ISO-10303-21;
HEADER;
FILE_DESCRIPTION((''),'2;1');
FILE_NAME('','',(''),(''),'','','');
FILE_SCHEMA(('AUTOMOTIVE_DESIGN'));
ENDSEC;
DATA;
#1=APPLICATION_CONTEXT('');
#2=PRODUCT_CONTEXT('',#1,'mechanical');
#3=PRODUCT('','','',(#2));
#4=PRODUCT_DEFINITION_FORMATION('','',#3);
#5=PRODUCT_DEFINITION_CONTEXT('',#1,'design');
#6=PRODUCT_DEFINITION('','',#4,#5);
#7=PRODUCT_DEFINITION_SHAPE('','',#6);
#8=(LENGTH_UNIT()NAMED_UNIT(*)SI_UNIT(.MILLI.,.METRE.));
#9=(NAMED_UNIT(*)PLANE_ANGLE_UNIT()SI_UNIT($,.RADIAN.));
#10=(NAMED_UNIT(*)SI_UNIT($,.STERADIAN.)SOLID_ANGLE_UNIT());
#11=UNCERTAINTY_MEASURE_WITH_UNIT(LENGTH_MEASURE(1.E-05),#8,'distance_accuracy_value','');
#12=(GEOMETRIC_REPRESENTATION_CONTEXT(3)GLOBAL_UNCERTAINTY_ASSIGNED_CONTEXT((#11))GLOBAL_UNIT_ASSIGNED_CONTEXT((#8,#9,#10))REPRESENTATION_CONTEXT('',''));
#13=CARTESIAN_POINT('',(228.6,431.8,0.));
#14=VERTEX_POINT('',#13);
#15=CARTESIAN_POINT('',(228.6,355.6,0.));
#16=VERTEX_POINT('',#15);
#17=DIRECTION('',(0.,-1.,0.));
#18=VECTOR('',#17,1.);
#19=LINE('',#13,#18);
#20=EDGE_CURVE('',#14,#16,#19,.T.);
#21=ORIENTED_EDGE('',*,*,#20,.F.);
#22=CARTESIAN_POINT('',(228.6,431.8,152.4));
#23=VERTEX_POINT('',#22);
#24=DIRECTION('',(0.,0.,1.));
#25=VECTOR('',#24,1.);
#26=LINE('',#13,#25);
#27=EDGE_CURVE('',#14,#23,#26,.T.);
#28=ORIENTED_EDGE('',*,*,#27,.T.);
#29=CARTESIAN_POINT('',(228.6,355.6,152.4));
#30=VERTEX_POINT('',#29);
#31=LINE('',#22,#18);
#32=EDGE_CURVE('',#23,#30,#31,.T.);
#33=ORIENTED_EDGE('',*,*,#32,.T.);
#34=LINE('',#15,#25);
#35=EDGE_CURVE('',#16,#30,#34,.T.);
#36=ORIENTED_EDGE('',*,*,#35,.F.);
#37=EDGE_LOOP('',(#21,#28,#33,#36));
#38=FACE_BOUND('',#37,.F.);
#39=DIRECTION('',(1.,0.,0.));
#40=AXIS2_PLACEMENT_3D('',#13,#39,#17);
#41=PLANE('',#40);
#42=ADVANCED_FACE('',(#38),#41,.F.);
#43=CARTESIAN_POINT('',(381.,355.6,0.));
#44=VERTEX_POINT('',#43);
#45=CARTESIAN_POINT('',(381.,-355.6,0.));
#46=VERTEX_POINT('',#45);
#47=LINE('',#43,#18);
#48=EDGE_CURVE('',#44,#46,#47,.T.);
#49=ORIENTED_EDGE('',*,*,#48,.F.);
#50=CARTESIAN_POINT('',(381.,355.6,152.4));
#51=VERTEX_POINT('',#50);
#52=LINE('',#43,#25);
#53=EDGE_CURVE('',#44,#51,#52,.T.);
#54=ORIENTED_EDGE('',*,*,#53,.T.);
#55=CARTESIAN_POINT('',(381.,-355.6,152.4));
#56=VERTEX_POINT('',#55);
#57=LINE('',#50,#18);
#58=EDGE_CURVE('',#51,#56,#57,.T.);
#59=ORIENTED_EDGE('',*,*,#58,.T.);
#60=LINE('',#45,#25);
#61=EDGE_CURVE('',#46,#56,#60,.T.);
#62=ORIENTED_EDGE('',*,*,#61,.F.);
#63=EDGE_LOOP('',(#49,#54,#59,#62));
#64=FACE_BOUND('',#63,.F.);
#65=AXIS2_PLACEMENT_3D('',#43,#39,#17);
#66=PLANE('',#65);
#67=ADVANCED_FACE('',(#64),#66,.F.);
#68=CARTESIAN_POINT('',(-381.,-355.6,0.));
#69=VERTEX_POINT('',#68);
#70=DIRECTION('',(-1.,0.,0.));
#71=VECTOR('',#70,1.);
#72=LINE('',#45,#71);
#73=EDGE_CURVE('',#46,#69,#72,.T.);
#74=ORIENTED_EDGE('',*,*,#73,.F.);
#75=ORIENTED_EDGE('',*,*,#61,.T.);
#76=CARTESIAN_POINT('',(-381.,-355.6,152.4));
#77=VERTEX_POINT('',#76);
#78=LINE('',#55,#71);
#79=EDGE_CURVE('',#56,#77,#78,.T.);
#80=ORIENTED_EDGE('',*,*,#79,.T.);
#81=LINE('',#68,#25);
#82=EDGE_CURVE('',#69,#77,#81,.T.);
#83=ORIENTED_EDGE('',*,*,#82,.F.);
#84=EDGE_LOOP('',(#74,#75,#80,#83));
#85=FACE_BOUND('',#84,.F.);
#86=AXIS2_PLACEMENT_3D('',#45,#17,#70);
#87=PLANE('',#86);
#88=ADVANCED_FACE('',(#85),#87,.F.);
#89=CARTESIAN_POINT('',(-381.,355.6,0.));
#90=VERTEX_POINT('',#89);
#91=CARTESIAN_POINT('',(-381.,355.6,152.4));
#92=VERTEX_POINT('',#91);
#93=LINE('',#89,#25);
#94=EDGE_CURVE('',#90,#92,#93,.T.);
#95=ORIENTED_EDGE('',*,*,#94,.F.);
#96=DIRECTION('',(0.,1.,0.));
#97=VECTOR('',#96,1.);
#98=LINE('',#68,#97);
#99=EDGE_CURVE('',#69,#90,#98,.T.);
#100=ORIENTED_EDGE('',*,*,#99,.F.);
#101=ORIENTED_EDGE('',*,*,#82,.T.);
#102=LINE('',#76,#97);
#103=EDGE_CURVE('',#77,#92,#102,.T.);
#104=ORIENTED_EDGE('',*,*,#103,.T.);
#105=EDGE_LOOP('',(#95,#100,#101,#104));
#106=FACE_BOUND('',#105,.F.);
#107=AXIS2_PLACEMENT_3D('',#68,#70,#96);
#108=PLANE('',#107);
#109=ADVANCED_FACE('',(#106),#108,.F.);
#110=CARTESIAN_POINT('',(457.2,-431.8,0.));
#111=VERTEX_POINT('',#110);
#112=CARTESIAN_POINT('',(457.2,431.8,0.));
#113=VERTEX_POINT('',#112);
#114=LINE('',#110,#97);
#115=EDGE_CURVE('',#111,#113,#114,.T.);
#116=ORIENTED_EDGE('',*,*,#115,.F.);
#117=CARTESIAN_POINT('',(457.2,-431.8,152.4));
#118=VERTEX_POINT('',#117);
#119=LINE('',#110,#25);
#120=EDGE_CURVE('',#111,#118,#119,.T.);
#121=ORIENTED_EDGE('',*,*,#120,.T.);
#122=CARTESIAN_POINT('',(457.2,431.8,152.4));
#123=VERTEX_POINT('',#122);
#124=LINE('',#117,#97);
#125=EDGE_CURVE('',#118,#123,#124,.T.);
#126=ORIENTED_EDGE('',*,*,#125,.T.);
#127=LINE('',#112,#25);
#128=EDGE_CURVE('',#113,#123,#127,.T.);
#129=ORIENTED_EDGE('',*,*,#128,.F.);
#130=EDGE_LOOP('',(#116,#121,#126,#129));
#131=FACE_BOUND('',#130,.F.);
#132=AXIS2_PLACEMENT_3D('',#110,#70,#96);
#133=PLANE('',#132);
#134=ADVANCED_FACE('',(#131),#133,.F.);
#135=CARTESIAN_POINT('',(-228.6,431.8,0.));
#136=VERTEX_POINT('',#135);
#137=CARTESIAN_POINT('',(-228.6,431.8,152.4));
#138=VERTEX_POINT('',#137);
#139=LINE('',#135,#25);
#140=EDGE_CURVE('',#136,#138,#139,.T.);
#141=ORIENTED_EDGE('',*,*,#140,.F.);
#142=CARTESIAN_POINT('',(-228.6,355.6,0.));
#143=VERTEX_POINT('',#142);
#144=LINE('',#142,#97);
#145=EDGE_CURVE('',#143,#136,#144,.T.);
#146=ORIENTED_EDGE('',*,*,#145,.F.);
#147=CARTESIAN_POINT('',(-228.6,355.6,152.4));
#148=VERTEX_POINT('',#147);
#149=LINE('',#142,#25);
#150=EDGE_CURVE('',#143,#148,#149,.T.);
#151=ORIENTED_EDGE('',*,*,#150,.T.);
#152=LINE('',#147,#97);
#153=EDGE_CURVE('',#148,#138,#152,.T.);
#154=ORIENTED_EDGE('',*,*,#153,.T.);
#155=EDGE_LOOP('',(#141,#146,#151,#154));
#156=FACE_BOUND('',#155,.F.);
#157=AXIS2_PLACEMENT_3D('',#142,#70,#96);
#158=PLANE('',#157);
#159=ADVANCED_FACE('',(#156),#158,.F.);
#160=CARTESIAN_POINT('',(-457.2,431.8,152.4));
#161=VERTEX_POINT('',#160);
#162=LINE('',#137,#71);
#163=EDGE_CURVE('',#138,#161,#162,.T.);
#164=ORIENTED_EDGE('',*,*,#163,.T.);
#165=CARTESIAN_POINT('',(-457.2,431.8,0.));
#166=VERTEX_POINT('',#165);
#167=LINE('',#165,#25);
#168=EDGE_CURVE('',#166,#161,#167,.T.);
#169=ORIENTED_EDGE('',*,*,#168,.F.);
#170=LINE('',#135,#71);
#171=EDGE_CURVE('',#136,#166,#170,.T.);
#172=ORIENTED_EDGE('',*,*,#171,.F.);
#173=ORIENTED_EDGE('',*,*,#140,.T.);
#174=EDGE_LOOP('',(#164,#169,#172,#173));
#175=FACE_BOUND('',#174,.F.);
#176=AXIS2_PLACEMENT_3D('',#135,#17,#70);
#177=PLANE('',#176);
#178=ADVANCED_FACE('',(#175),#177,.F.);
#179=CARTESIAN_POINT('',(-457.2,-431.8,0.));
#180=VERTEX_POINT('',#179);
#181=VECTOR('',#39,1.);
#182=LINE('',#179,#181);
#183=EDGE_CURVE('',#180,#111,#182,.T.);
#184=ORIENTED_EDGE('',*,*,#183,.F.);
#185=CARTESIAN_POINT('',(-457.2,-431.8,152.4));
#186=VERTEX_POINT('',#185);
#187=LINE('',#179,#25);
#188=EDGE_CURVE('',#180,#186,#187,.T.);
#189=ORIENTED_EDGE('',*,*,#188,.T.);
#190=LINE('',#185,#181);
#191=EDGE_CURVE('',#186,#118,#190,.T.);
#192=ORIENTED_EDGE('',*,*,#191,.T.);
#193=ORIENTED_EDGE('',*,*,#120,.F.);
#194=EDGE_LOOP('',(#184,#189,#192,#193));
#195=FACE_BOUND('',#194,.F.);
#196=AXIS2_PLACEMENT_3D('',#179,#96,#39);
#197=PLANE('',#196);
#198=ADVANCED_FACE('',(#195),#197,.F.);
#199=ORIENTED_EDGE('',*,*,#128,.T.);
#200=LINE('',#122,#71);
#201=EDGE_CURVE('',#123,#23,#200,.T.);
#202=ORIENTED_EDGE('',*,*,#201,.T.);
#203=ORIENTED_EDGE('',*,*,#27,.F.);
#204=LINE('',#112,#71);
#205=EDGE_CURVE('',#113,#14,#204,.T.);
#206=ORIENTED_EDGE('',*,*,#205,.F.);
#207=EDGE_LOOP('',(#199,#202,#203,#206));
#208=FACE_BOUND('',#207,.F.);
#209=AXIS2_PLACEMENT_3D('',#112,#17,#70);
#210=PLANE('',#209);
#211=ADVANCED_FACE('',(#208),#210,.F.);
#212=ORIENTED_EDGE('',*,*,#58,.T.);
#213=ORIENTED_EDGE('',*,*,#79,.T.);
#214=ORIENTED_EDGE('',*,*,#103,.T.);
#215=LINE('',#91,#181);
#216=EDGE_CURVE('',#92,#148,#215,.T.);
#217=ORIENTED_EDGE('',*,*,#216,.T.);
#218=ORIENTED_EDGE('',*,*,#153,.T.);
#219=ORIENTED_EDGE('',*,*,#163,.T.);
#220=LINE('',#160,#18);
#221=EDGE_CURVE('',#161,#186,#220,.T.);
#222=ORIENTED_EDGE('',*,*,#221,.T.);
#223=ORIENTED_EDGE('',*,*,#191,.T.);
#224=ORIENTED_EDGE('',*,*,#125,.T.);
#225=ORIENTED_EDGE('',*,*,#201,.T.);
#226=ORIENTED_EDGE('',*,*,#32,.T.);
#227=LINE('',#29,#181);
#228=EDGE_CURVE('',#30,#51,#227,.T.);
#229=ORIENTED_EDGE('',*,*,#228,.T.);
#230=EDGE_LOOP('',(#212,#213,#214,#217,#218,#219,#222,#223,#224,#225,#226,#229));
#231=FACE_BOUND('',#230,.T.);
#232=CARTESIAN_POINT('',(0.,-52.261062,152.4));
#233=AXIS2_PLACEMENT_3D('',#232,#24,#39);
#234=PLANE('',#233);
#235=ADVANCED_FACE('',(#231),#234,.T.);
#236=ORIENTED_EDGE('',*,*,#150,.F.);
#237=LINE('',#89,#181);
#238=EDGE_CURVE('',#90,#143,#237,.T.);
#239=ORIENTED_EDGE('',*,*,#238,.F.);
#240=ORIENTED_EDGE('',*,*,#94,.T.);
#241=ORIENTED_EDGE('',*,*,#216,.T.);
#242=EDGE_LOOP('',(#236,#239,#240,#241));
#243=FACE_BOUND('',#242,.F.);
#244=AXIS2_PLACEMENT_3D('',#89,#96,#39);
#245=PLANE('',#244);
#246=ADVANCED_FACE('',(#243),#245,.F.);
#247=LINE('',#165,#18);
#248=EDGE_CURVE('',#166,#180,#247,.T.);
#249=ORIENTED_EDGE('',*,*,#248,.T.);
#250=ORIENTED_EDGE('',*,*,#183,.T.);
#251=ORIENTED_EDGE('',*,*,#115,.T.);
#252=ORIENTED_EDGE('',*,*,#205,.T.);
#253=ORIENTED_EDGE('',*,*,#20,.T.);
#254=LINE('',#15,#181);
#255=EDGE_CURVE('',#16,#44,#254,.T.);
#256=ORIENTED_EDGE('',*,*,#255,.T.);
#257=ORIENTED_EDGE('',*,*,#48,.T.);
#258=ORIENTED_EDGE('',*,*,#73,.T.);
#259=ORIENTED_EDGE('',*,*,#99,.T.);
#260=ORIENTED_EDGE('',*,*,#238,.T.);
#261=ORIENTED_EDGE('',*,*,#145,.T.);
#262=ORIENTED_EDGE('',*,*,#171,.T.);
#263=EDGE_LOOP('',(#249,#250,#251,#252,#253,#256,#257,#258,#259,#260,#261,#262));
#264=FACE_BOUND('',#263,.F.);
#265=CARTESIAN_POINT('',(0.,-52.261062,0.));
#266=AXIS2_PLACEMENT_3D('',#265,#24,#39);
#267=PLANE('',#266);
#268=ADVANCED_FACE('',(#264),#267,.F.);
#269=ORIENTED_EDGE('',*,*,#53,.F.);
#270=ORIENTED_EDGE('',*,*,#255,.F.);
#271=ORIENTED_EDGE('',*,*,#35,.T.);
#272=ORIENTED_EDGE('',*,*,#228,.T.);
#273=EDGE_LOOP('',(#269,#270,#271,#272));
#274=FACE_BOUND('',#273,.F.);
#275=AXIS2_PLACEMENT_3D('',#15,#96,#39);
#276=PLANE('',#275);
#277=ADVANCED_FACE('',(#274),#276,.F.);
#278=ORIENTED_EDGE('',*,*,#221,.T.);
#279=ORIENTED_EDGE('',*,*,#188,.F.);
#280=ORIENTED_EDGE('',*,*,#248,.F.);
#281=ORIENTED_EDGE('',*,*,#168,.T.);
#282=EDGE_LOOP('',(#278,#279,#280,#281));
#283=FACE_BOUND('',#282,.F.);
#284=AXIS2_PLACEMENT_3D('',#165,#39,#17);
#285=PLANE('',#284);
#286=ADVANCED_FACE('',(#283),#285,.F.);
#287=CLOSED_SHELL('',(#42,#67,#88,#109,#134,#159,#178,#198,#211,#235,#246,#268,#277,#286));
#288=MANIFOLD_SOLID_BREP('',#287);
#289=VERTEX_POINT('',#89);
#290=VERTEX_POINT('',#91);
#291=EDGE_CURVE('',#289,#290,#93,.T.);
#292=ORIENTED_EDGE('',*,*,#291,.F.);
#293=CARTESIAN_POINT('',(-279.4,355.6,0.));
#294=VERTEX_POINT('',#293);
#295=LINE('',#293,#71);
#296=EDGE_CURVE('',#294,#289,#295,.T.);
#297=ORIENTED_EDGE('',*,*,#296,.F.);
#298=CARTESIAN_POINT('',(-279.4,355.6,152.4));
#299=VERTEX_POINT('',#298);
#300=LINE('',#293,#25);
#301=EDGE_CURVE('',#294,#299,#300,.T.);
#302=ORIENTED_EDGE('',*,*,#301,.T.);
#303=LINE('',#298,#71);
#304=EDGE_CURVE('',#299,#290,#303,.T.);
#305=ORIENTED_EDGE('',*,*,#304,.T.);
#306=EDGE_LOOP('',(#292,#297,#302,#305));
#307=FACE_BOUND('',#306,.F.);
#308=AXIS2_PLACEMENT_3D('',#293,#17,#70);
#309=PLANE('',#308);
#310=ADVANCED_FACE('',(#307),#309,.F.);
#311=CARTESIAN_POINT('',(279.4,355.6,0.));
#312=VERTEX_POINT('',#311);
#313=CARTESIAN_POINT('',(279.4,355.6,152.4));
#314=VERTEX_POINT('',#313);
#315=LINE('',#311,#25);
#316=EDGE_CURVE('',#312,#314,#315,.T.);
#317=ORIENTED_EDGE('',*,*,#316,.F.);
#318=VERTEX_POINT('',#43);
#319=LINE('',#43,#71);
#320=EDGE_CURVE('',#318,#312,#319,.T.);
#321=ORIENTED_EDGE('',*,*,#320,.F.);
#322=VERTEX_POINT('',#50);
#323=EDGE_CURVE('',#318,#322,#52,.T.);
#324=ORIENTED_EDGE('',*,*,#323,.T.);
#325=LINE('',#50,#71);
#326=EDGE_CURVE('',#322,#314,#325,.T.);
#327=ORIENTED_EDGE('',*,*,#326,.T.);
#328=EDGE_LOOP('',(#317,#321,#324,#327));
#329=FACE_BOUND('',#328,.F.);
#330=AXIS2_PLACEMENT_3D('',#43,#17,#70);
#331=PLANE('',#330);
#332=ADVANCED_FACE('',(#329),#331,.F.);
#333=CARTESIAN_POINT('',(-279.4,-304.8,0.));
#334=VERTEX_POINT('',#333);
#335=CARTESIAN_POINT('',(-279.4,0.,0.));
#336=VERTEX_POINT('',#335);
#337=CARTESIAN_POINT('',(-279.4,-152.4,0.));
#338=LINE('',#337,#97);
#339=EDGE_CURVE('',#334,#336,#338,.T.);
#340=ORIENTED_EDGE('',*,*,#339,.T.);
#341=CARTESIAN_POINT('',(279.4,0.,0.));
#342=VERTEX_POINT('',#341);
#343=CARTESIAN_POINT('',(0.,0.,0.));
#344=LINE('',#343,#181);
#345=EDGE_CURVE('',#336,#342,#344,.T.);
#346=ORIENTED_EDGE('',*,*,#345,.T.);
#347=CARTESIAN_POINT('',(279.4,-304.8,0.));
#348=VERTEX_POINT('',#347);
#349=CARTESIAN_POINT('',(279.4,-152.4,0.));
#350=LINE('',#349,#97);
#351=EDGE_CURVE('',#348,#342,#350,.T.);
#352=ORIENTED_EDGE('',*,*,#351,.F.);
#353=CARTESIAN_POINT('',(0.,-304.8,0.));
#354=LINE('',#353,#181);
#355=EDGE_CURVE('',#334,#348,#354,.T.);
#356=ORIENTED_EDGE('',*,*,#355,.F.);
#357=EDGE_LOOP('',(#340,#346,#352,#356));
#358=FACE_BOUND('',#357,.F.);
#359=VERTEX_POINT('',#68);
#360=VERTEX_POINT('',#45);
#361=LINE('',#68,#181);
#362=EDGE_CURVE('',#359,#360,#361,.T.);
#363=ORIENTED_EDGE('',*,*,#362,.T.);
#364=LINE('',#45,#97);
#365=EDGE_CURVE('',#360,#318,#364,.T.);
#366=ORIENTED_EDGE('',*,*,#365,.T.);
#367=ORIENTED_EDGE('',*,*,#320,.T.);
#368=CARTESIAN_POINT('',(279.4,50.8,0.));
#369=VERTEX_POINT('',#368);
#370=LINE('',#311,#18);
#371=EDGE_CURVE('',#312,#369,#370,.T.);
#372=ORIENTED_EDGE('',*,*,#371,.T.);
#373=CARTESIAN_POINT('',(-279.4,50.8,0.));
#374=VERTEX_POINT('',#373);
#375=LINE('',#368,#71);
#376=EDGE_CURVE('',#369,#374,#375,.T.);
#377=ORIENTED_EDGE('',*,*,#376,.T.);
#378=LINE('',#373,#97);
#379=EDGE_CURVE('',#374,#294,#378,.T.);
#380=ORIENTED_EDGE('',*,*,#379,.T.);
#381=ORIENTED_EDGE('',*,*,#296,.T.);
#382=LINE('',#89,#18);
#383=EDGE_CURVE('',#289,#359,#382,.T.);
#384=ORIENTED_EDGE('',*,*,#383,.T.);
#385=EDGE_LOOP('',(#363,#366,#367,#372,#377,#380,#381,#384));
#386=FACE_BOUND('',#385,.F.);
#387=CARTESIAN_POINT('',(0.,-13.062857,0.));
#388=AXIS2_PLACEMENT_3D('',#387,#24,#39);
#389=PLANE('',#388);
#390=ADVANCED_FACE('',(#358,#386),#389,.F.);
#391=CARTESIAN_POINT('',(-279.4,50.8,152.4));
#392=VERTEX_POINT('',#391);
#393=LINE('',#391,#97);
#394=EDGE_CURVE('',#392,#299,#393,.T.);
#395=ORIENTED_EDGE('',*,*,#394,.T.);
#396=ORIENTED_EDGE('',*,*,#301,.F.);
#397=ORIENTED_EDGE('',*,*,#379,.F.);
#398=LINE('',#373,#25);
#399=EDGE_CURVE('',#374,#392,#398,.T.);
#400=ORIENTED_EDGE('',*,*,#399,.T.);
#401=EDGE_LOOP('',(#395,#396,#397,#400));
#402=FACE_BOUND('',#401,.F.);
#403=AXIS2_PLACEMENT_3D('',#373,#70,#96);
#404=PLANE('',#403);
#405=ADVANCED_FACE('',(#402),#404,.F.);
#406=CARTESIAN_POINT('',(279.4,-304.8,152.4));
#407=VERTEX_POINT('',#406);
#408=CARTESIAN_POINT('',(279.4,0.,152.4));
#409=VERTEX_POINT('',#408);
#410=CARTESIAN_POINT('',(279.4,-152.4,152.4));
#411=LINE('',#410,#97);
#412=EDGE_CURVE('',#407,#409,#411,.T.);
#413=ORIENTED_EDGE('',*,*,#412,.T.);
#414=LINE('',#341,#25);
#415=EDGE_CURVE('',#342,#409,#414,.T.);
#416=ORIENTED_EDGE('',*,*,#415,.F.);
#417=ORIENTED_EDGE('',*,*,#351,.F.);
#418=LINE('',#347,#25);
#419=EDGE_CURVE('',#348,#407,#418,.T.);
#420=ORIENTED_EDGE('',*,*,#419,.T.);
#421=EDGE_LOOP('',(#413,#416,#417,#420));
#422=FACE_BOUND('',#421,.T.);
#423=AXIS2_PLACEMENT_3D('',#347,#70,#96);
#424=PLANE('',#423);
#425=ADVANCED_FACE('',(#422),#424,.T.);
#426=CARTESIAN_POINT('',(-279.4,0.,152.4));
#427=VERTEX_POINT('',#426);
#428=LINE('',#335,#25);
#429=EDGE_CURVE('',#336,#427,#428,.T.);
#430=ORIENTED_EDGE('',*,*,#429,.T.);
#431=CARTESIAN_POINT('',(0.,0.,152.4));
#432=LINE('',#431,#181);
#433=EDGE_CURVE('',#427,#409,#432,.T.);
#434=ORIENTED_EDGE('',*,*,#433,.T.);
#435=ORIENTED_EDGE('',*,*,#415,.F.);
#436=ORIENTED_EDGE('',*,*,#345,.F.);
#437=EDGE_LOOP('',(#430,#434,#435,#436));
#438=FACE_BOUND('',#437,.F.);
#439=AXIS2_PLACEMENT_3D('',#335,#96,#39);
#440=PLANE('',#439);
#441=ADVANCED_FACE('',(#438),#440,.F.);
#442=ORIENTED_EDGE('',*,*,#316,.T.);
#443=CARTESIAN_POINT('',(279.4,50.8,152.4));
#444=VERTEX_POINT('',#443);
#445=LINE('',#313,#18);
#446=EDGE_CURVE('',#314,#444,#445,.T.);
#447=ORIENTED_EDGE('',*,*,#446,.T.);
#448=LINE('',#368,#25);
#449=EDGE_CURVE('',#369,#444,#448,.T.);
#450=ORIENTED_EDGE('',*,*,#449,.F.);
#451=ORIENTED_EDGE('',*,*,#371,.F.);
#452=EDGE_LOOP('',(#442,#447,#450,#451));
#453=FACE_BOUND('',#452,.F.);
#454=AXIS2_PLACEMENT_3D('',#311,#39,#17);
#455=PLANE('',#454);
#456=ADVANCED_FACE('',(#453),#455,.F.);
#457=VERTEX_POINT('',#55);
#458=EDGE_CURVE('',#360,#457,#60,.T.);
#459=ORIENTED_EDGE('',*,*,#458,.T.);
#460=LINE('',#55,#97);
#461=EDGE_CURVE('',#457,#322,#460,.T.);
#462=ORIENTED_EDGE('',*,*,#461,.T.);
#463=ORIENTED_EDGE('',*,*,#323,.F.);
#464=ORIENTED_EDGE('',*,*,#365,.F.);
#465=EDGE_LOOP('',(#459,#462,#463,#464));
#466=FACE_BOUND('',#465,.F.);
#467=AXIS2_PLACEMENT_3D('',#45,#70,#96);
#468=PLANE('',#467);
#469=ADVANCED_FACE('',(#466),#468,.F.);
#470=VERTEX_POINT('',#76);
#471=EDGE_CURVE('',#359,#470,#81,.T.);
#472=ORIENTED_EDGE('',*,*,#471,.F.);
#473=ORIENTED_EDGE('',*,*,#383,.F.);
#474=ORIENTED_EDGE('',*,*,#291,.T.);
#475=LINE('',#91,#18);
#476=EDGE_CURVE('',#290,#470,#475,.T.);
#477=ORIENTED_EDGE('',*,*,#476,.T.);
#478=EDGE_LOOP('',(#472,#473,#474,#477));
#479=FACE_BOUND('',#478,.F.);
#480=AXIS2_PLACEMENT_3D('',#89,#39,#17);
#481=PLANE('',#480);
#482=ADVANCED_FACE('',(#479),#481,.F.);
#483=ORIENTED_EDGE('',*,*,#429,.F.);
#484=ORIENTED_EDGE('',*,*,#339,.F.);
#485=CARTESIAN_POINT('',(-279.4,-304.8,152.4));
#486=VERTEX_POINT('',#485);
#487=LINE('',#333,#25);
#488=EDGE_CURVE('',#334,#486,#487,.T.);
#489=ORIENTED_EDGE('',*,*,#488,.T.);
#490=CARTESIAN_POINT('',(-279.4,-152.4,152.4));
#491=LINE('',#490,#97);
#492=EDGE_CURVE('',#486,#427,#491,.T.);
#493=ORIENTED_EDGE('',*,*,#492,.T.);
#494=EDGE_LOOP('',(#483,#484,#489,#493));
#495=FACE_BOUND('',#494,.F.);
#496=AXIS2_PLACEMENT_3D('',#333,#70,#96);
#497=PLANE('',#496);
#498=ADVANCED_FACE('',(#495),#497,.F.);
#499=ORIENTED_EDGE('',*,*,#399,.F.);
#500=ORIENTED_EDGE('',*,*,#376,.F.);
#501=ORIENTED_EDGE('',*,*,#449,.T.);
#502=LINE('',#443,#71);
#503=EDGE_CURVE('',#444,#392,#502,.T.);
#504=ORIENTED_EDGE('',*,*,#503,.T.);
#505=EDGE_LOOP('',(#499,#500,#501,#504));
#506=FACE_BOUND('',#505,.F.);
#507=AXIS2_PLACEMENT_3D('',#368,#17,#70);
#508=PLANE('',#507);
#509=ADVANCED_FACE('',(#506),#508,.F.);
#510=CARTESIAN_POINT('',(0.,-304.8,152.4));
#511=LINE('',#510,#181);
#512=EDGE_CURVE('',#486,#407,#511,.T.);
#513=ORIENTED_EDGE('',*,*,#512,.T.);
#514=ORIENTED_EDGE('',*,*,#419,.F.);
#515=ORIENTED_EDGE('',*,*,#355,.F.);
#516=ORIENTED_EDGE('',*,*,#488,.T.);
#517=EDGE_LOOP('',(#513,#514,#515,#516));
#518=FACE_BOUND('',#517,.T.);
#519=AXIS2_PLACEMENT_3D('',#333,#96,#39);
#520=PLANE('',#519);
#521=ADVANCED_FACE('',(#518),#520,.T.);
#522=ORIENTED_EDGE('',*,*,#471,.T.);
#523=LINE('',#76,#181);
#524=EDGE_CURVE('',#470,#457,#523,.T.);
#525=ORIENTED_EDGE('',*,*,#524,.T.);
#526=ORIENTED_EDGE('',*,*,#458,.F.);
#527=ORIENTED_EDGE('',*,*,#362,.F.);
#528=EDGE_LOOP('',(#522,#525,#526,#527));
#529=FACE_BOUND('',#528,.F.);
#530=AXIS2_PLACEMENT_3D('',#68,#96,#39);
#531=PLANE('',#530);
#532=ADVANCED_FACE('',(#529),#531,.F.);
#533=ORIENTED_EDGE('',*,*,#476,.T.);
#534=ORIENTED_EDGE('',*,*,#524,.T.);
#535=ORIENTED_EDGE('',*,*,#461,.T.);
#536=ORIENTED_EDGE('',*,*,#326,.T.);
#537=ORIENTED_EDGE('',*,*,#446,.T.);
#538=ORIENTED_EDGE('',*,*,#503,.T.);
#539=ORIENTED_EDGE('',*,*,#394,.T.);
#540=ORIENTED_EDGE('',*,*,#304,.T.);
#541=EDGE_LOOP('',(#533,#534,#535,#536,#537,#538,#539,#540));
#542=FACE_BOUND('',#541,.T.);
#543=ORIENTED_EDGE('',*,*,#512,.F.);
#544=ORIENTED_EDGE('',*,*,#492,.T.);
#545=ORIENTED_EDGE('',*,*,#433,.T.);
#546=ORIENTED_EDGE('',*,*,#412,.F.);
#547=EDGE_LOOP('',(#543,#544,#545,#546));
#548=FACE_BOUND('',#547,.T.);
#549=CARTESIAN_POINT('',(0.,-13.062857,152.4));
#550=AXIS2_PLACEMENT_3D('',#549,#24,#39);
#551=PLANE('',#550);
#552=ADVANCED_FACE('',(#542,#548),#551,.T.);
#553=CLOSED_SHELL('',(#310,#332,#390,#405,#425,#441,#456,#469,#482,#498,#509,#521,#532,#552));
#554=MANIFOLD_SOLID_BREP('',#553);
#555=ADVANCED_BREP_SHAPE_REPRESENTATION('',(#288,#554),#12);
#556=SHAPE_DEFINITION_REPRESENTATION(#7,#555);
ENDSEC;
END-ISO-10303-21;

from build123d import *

# Parameters (mm, degrees)
F2_DEPTH = 152.4
F1_W     = 558.8
F1_H     = 304.8
F3_DEPTH = 152.4


with BuildPart() as f2:
    # F0 (on Top) → F2 (new body)
    with BuildSketch(Plane.XY):
        Polygon((228.6, 355.6), (381, 355.6), (381, -355.6), (-381, -355.6), (-381, 355.6), (-228.6, 355.6), (-228.6, 431.8), (-457.2, 431.8), (-457.2, -431.8), (457.2, -431.8), (457.2, 431.8), (228.6, 431.8), align=None)
    extrude(amount=F2_DEPTH)


with BuildPart() as f3:
    # F1 (on Top) → F3 (new body)
    with BuildSketch(Plane.XY):
        Polygon((-279.4, 355.6), (-381, 355.6), (-381, -355.6), (-279.4, -355.6), (279.4, -355.6), (381, -355.6), (381, 355.6), (279.4, 355.6), (279.4, 50.8), (-279.4, 50.8), align=None)
        with Locations((0, -152.4)):
            Rectangle(F1_W, F1_H, mode=Mode.SUBTRACT)
    extrude(amount=F3_DEPTH)


solid = Compound([f2.part, f3.part])
